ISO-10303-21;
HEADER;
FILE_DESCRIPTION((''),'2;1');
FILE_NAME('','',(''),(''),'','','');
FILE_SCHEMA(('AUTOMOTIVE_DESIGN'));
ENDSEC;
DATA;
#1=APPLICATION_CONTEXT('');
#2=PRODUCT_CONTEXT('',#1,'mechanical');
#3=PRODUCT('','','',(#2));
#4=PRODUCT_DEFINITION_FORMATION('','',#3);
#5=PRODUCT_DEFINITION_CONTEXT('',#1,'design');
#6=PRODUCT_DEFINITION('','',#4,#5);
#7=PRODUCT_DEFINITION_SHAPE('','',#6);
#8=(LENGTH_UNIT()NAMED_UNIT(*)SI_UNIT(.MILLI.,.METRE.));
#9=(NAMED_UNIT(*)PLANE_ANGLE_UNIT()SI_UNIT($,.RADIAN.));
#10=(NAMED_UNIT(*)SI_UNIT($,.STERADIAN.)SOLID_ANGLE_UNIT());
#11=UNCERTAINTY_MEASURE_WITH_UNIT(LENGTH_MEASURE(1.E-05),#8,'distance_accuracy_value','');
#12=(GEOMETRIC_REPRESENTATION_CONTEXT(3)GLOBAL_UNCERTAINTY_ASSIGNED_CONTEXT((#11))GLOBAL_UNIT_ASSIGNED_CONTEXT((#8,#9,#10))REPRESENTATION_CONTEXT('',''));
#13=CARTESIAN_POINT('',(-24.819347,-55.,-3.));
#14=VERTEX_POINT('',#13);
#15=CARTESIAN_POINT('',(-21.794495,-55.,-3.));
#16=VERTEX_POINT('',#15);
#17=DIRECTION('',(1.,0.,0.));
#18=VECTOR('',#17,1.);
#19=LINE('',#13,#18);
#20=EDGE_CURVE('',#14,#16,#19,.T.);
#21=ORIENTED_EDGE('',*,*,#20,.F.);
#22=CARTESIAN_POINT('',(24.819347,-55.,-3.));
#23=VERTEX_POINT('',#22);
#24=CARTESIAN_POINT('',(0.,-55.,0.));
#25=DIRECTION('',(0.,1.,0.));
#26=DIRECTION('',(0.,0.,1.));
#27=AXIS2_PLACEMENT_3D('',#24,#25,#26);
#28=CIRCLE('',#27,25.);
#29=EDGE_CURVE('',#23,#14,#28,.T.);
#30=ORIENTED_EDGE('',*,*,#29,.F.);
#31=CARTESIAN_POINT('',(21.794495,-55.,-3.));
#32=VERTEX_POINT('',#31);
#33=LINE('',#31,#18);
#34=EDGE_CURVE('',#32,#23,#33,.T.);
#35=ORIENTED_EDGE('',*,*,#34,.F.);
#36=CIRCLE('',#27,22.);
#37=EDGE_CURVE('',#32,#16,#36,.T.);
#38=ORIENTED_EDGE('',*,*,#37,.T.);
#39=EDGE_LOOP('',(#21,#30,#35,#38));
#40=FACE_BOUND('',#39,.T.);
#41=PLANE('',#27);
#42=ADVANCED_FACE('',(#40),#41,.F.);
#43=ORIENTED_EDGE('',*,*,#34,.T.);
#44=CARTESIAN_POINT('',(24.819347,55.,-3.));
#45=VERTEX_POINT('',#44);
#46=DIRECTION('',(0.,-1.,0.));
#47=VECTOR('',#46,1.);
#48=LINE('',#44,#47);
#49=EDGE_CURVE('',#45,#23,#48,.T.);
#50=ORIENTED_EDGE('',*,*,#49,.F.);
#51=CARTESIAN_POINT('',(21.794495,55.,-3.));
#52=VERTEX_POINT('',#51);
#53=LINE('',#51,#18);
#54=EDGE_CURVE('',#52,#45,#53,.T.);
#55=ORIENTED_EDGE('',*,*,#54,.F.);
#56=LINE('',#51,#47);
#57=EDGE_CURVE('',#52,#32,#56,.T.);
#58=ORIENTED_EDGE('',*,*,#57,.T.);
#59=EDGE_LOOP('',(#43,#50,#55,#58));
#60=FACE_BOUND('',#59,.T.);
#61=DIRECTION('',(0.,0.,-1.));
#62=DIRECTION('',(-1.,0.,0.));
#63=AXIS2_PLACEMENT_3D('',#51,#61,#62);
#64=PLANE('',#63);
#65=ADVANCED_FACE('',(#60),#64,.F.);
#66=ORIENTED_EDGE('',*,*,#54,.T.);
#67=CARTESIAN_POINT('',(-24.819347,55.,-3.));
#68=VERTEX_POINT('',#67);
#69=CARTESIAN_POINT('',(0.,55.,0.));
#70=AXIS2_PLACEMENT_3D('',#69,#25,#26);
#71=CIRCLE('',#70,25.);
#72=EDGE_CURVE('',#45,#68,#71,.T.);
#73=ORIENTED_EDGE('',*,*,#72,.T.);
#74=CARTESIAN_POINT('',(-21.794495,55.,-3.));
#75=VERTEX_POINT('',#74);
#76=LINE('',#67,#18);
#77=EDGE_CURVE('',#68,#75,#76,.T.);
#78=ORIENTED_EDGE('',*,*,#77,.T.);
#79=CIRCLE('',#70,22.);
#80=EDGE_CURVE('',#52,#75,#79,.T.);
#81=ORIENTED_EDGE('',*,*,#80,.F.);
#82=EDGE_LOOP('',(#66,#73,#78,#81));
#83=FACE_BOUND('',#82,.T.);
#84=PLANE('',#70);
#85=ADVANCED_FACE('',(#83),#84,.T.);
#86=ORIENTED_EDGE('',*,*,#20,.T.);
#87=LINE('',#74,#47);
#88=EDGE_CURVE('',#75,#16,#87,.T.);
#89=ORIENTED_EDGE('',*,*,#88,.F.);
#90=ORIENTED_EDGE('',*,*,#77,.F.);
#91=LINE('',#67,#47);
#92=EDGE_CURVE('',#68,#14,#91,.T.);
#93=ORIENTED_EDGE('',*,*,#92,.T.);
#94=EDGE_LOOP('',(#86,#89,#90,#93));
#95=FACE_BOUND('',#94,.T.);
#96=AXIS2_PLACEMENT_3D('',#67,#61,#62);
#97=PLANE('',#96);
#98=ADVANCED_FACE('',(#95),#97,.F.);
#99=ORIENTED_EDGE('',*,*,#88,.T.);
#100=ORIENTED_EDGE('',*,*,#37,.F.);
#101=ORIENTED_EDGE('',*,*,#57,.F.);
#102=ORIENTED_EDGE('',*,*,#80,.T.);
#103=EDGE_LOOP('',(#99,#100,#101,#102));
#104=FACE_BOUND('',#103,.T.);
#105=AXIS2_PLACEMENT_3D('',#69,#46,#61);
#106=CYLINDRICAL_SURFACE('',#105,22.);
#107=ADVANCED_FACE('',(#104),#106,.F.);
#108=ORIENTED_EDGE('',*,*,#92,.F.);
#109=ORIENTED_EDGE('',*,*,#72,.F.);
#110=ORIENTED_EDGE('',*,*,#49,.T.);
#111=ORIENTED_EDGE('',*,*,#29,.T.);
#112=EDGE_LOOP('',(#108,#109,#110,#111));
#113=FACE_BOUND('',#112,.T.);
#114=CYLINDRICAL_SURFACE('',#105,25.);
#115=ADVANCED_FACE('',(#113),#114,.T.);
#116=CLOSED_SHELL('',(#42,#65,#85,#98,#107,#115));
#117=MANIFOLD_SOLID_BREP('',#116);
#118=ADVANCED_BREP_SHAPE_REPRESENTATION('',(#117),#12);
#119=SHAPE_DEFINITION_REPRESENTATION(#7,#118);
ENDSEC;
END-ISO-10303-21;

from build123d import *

# Parameters (mm, degrees)
BOSS_EXTRUDE1_DEPTH = 55


with BuildPart() as part:
    # Sketch1 → Boss-Extrude1 (new body, symmetric)
    with BuildSketch(Plane(origin=(0, 0, 0), x_dir=(1, 0, 0), z_dir=(0, 1, 0))):
        with BuildLine():
            Line((-24.819347292, 3), (-21.794494718, 3))
            ThreePointArc((-21.794494718, 3), (0, 22), (21.794494718, 3))
            Line((21.794494718, 3), (24.819347292, 3))
            ThreePointArc((24.819347292, 3), (0, 25), (-24.819347292, 3))
        make_face()
    extrude(amount=BOSS_EXTRUDE1_DEPTH, both=True)


solid = part.part
